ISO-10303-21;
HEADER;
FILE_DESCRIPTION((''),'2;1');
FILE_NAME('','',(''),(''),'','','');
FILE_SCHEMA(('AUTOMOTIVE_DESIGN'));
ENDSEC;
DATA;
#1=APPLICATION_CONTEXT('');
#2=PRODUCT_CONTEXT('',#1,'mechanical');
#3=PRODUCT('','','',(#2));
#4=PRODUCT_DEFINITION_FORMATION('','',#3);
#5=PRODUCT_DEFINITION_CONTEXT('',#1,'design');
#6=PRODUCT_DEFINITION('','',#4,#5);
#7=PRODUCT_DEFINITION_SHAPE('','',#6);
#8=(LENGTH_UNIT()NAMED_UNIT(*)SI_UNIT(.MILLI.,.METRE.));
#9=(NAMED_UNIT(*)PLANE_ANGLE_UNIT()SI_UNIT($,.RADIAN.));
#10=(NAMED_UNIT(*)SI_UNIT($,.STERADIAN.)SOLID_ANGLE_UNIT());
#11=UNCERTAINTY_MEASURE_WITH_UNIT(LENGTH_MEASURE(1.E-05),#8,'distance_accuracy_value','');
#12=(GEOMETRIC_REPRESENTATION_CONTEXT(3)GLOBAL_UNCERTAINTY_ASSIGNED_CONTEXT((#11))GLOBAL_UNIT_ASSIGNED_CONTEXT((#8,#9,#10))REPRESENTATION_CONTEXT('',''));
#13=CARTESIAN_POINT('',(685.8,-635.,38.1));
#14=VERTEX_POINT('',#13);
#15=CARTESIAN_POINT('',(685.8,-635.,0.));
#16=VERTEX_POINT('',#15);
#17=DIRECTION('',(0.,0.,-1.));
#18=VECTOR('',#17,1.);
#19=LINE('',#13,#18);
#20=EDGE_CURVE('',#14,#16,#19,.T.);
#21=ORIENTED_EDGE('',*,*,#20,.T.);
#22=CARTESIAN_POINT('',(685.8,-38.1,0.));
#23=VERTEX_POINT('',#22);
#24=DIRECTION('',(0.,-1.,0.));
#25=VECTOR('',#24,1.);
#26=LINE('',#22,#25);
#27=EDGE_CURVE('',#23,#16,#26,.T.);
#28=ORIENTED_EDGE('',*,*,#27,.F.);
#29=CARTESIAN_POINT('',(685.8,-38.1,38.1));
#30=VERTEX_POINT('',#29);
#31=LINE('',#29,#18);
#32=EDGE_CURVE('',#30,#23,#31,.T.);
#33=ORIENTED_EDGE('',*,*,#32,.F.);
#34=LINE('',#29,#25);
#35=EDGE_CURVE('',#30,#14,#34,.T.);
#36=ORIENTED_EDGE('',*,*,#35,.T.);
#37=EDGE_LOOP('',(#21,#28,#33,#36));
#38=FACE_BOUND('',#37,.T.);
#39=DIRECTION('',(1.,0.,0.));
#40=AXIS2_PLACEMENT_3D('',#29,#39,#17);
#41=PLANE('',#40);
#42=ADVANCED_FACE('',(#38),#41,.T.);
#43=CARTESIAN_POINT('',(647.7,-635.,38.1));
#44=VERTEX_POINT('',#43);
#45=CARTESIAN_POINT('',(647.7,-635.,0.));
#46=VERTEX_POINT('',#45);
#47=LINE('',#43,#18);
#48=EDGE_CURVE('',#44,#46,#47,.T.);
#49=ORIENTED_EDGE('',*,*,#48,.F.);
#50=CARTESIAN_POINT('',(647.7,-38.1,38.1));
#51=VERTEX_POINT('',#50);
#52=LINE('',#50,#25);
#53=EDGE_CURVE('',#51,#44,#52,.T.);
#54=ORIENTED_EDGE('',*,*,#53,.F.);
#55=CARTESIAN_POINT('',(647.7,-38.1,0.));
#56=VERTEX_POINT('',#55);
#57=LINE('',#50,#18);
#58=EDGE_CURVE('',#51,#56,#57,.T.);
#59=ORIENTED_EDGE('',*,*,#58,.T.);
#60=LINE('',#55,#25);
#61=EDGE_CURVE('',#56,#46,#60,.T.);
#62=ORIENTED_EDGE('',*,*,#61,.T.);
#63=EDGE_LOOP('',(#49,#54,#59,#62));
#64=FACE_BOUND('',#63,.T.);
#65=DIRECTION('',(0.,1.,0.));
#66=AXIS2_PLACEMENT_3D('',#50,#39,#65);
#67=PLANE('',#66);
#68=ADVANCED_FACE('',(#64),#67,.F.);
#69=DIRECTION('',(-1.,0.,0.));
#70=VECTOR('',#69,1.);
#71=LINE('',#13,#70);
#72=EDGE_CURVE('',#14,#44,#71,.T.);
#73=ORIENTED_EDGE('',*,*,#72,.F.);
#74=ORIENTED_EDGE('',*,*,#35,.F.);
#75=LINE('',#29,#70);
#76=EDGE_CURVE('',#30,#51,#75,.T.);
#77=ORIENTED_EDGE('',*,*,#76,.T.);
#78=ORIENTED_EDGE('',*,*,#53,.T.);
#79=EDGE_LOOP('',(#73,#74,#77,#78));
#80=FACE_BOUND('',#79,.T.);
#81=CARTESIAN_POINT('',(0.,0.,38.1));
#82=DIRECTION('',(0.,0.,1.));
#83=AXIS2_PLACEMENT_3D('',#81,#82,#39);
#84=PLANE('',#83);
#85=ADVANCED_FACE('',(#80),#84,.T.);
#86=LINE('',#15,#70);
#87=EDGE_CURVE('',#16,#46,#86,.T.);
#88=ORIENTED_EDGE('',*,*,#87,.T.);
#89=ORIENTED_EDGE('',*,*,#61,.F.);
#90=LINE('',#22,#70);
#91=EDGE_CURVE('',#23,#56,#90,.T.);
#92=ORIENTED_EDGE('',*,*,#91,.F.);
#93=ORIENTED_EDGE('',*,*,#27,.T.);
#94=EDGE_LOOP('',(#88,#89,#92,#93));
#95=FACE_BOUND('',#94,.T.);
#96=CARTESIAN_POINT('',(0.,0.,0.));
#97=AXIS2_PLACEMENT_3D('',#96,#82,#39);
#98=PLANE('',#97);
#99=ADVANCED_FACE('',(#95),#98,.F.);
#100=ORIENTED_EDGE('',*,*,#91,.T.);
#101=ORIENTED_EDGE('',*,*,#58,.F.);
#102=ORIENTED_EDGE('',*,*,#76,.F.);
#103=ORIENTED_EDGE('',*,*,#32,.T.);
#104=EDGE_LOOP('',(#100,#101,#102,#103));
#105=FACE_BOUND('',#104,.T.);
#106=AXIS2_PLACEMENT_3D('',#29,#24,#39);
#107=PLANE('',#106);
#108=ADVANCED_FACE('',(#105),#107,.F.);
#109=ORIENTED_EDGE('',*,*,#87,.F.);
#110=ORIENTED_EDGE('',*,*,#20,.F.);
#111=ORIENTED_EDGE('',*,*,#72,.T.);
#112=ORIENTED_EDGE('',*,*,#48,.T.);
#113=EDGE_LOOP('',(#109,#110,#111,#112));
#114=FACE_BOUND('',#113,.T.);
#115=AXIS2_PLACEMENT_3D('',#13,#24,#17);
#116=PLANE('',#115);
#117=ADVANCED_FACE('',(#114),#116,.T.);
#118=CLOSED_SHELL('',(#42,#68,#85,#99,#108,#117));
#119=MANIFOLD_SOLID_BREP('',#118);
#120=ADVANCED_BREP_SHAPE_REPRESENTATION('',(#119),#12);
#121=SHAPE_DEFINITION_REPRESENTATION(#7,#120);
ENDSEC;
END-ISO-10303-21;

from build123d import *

# Parameters (mm, degrees)
SKETCH1_W           = 38.1
SKETCH1_H           = 596.9
BOSS_EXTRUDE1_DEPTH = 38.1


with BuildPart() as part:
    # Sketch1 → Boss-Extrude1 (new body)
    with BuildSketch(Plane.XY):
        with Locations((666.75, -336.55)):
            Rectangle(SKETCH1_W, SKETCH1_H)
    extrude(amount=BOSS_EXTRUDE1_DEPTH)


solid = part.part
